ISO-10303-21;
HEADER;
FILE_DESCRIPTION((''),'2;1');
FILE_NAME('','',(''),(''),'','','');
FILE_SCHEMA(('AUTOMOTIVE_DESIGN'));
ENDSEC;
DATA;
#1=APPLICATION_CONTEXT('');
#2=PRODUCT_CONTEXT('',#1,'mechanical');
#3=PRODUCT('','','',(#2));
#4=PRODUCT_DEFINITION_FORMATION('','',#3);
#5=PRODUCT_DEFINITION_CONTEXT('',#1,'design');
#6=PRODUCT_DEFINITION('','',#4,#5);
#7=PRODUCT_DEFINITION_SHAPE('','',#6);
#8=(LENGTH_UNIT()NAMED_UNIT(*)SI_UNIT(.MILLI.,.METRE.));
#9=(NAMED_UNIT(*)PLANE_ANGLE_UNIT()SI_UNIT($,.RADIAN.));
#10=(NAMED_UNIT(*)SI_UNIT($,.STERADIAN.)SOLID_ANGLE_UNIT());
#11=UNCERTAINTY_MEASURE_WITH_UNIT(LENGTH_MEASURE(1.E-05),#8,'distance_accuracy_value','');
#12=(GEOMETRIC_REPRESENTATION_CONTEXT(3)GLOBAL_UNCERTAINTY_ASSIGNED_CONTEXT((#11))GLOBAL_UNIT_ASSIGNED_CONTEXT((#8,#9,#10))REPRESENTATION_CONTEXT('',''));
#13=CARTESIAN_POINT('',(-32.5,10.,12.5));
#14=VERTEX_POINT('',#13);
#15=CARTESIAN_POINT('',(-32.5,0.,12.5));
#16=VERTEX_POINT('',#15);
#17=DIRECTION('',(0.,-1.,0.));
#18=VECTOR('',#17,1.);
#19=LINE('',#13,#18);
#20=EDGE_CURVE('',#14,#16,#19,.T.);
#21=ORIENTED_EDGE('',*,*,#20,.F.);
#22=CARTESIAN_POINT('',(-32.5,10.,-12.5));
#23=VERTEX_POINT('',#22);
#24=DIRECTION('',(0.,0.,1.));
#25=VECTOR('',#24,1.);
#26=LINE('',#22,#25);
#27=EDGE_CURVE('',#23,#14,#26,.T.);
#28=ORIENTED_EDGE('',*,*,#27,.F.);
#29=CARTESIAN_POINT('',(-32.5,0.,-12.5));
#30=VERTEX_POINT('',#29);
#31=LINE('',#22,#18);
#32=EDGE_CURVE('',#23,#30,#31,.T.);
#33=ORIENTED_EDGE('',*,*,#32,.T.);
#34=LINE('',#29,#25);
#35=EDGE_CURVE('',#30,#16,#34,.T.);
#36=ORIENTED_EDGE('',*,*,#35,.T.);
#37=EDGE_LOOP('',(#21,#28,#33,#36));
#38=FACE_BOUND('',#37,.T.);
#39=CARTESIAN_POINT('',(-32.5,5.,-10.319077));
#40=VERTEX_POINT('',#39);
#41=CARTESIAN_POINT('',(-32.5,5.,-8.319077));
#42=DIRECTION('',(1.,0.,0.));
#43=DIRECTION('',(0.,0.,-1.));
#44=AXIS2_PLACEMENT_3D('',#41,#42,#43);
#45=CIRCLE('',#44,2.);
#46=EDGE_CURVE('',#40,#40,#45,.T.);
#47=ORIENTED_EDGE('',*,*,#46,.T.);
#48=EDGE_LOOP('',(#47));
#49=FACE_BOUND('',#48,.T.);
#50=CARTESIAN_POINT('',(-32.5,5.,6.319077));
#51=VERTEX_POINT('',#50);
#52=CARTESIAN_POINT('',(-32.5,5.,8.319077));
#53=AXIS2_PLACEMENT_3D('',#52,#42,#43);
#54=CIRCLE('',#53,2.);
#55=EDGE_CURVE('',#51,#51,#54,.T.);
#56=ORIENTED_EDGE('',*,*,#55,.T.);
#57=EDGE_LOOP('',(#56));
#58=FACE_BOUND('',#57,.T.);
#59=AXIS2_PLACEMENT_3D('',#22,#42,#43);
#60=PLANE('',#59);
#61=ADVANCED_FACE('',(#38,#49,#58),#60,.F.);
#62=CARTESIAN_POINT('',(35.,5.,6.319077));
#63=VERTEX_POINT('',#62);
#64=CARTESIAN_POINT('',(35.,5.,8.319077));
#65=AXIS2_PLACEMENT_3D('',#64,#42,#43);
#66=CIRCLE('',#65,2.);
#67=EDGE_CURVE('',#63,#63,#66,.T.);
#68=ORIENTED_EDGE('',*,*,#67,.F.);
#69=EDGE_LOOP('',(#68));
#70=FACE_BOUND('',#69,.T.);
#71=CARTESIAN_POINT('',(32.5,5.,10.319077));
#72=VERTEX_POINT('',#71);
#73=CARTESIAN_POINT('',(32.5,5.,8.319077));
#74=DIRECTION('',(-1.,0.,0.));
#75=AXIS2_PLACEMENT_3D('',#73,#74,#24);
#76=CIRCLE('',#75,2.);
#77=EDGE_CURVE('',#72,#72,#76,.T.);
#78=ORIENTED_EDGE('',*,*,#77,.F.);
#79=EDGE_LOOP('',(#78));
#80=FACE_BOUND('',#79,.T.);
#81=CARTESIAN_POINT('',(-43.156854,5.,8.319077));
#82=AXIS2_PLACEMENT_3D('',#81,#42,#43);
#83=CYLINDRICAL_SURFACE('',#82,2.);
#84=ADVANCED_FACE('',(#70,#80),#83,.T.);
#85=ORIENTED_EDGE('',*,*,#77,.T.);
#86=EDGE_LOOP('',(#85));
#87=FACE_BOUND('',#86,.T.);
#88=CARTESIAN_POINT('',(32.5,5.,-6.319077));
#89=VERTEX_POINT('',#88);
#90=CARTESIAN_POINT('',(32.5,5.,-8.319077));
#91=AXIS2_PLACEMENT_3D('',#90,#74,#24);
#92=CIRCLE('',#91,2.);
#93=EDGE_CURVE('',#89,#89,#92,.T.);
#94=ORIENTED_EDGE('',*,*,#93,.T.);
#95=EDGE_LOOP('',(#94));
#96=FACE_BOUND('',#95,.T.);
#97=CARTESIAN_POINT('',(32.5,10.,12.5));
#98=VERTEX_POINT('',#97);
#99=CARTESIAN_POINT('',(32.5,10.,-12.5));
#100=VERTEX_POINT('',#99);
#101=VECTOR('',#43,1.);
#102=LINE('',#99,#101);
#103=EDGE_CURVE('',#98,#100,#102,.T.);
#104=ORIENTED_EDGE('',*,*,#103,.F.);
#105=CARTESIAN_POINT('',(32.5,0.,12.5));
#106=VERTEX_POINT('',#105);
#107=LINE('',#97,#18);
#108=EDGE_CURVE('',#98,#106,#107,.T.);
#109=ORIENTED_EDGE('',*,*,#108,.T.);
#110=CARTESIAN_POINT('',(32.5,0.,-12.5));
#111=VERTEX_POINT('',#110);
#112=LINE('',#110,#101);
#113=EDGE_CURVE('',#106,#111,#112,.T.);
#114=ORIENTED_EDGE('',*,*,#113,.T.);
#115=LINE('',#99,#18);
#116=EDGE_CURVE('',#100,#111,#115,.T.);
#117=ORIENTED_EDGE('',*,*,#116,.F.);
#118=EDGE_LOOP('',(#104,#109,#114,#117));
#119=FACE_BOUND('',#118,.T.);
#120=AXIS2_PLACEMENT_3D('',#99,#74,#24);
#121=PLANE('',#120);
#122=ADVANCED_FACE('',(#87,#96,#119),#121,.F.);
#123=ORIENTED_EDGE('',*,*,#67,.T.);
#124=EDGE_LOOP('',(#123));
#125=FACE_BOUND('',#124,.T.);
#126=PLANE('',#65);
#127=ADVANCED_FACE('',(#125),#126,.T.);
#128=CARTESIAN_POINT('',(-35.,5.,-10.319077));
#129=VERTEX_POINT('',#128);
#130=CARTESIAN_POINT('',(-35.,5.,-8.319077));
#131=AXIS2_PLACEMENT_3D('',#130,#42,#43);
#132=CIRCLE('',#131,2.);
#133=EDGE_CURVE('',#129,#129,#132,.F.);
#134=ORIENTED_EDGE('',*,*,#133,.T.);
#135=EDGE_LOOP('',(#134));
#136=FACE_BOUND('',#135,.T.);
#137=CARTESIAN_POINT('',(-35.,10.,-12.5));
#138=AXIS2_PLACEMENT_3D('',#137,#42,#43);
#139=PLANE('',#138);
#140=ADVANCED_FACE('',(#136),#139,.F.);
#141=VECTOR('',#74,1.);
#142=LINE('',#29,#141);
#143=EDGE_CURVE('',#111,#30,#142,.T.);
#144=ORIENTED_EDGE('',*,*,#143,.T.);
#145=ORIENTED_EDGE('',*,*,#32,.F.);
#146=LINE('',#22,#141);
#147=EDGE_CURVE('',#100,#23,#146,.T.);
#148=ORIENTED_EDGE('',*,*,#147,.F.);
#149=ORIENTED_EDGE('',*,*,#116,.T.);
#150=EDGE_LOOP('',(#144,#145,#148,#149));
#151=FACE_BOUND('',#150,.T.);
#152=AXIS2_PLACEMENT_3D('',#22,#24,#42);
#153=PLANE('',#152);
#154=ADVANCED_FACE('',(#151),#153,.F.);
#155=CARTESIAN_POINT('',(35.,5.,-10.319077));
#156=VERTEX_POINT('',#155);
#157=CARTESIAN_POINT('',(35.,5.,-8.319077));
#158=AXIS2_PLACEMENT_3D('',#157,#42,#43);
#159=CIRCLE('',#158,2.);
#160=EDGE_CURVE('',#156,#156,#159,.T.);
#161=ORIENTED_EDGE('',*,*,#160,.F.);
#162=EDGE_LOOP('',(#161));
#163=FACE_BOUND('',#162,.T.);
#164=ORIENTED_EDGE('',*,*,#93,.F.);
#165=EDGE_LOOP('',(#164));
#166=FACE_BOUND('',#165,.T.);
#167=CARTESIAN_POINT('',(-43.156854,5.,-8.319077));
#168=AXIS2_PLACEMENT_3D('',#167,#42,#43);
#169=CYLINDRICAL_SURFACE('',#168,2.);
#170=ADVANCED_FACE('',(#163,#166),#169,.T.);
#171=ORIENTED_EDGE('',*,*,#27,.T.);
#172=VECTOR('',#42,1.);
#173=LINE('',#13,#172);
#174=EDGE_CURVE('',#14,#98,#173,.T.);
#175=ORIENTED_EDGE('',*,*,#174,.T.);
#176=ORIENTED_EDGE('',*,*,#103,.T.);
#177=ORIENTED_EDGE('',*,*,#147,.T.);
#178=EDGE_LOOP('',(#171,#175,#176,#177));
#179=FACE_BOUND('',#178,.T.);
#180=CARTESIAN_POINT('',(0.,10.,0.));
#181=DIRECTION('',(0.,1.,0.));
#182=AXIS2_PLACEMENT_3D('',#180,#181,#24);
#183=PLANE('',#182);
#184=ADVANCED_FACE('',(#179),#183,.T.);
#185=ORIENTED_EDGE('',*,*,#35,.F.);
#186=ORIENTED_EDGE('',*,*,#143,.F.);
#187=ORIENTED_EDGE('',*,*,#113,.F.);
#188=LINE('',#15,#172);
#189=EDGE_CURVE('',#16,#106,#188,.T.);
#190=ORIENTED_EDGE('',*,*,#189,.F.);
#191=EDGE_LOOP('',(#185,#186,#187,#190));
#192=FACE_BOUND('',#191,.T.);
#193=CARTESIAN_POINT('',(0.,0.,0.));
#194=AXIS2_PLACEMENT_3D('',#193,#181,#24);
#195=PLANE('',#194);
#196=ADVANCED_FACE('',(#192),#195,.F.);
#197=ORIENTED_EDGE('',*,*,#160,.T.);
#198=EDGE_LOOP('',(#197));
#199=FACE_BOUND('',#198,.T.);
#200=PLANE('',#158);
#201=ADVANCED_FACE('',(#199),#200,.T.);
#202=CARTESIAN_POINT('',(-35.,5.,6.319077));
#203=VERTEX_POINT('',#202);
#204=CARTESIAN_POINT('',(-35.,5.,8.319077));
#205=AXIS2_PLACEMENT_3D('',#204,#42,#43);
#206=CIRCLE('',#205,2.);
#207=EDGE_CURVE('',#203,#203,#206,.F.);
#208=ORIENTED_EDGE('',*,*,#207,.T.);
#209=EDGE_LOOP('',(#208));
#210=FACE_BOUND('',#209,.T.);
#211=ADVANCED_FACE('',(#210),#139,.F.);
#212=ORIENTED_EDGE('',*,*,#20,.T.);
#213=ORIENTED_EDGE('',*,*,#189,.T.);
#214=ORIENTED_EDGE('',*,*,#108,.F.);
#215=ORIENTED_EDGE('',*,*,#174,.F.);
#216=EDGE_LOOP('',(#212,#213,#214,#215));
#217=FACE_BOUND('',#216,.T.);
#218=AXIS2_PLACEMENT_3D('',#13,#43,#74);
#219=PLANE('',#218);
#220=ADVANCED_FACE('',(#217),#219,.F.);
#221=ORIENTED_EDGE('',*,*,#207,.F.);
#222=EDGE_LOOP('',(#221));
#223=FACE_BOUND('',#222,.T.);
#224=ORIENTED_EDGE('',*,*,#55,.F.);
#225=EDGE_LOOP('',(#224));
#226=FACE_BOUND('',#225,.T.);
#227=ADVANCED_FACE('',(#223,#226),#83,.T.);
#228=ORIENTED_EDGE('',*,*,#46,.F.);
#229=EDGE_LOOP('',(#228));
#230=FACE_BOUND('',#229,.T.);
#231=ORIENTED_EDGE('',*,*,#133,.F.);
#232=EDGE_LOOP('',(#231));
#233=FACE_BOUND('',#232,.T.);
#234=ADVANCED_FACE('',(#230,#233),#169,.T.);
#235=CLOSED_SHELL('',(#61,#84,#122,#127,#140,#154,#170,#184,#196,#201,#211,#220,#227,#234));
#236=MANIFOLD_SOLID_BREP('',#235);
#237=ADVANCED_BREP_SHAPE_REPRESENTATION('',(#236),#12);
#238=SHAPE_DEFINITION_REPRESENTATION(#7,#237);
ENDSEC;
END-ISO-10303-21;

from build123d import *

# Parameters (mm, degrees)
SKETCH1_W                = 65
SKETCH1_H                = 25
BOSS_EXTRUDE1_DEPTH      = 10
BOSS_EXTRUDE2_DEPTH      = 2.5
BOSS_EXTRUDE2_DEPTH_BACK = 67.5
SKETCH2_R                = 2


with BuildPart() as part:
    # Sketch1 → Boss-Extrude1 (new body)
    with BuildSketch(Plane(origin=(0, 0, 0), x_dir=(1, 0, 0), z_dir=(0, 1, 0))):
        Rectangle(SKETCH1_W, SKETCH1_H)
    extrude(amount=BOSS_EXTRUDE1_DEPTH)

    # Sketch2 → Boss-Extrude2 (add, two sides: drawn at the far end of the back side and taken through both)
    with BuildSketch(Plane(origin=(32.5, 0, 0), x_dir=(0, 0, -1), z_dir=(1, 0, 0)).offset(-BOSS_EXTRUDE2_DEPTH_BACK)):
        with Locations((-8.319077052, 5)):
            Circle(SKETCH2_R)
        with Locations((8.319077052, 5)):
            Circle(SKETCH2_R)
    extrude(amount=BOSS_EXTRUDE2_DEPTH + BOSS_EXTRUDE2_DEPTH_BACK)


solid = part.part
